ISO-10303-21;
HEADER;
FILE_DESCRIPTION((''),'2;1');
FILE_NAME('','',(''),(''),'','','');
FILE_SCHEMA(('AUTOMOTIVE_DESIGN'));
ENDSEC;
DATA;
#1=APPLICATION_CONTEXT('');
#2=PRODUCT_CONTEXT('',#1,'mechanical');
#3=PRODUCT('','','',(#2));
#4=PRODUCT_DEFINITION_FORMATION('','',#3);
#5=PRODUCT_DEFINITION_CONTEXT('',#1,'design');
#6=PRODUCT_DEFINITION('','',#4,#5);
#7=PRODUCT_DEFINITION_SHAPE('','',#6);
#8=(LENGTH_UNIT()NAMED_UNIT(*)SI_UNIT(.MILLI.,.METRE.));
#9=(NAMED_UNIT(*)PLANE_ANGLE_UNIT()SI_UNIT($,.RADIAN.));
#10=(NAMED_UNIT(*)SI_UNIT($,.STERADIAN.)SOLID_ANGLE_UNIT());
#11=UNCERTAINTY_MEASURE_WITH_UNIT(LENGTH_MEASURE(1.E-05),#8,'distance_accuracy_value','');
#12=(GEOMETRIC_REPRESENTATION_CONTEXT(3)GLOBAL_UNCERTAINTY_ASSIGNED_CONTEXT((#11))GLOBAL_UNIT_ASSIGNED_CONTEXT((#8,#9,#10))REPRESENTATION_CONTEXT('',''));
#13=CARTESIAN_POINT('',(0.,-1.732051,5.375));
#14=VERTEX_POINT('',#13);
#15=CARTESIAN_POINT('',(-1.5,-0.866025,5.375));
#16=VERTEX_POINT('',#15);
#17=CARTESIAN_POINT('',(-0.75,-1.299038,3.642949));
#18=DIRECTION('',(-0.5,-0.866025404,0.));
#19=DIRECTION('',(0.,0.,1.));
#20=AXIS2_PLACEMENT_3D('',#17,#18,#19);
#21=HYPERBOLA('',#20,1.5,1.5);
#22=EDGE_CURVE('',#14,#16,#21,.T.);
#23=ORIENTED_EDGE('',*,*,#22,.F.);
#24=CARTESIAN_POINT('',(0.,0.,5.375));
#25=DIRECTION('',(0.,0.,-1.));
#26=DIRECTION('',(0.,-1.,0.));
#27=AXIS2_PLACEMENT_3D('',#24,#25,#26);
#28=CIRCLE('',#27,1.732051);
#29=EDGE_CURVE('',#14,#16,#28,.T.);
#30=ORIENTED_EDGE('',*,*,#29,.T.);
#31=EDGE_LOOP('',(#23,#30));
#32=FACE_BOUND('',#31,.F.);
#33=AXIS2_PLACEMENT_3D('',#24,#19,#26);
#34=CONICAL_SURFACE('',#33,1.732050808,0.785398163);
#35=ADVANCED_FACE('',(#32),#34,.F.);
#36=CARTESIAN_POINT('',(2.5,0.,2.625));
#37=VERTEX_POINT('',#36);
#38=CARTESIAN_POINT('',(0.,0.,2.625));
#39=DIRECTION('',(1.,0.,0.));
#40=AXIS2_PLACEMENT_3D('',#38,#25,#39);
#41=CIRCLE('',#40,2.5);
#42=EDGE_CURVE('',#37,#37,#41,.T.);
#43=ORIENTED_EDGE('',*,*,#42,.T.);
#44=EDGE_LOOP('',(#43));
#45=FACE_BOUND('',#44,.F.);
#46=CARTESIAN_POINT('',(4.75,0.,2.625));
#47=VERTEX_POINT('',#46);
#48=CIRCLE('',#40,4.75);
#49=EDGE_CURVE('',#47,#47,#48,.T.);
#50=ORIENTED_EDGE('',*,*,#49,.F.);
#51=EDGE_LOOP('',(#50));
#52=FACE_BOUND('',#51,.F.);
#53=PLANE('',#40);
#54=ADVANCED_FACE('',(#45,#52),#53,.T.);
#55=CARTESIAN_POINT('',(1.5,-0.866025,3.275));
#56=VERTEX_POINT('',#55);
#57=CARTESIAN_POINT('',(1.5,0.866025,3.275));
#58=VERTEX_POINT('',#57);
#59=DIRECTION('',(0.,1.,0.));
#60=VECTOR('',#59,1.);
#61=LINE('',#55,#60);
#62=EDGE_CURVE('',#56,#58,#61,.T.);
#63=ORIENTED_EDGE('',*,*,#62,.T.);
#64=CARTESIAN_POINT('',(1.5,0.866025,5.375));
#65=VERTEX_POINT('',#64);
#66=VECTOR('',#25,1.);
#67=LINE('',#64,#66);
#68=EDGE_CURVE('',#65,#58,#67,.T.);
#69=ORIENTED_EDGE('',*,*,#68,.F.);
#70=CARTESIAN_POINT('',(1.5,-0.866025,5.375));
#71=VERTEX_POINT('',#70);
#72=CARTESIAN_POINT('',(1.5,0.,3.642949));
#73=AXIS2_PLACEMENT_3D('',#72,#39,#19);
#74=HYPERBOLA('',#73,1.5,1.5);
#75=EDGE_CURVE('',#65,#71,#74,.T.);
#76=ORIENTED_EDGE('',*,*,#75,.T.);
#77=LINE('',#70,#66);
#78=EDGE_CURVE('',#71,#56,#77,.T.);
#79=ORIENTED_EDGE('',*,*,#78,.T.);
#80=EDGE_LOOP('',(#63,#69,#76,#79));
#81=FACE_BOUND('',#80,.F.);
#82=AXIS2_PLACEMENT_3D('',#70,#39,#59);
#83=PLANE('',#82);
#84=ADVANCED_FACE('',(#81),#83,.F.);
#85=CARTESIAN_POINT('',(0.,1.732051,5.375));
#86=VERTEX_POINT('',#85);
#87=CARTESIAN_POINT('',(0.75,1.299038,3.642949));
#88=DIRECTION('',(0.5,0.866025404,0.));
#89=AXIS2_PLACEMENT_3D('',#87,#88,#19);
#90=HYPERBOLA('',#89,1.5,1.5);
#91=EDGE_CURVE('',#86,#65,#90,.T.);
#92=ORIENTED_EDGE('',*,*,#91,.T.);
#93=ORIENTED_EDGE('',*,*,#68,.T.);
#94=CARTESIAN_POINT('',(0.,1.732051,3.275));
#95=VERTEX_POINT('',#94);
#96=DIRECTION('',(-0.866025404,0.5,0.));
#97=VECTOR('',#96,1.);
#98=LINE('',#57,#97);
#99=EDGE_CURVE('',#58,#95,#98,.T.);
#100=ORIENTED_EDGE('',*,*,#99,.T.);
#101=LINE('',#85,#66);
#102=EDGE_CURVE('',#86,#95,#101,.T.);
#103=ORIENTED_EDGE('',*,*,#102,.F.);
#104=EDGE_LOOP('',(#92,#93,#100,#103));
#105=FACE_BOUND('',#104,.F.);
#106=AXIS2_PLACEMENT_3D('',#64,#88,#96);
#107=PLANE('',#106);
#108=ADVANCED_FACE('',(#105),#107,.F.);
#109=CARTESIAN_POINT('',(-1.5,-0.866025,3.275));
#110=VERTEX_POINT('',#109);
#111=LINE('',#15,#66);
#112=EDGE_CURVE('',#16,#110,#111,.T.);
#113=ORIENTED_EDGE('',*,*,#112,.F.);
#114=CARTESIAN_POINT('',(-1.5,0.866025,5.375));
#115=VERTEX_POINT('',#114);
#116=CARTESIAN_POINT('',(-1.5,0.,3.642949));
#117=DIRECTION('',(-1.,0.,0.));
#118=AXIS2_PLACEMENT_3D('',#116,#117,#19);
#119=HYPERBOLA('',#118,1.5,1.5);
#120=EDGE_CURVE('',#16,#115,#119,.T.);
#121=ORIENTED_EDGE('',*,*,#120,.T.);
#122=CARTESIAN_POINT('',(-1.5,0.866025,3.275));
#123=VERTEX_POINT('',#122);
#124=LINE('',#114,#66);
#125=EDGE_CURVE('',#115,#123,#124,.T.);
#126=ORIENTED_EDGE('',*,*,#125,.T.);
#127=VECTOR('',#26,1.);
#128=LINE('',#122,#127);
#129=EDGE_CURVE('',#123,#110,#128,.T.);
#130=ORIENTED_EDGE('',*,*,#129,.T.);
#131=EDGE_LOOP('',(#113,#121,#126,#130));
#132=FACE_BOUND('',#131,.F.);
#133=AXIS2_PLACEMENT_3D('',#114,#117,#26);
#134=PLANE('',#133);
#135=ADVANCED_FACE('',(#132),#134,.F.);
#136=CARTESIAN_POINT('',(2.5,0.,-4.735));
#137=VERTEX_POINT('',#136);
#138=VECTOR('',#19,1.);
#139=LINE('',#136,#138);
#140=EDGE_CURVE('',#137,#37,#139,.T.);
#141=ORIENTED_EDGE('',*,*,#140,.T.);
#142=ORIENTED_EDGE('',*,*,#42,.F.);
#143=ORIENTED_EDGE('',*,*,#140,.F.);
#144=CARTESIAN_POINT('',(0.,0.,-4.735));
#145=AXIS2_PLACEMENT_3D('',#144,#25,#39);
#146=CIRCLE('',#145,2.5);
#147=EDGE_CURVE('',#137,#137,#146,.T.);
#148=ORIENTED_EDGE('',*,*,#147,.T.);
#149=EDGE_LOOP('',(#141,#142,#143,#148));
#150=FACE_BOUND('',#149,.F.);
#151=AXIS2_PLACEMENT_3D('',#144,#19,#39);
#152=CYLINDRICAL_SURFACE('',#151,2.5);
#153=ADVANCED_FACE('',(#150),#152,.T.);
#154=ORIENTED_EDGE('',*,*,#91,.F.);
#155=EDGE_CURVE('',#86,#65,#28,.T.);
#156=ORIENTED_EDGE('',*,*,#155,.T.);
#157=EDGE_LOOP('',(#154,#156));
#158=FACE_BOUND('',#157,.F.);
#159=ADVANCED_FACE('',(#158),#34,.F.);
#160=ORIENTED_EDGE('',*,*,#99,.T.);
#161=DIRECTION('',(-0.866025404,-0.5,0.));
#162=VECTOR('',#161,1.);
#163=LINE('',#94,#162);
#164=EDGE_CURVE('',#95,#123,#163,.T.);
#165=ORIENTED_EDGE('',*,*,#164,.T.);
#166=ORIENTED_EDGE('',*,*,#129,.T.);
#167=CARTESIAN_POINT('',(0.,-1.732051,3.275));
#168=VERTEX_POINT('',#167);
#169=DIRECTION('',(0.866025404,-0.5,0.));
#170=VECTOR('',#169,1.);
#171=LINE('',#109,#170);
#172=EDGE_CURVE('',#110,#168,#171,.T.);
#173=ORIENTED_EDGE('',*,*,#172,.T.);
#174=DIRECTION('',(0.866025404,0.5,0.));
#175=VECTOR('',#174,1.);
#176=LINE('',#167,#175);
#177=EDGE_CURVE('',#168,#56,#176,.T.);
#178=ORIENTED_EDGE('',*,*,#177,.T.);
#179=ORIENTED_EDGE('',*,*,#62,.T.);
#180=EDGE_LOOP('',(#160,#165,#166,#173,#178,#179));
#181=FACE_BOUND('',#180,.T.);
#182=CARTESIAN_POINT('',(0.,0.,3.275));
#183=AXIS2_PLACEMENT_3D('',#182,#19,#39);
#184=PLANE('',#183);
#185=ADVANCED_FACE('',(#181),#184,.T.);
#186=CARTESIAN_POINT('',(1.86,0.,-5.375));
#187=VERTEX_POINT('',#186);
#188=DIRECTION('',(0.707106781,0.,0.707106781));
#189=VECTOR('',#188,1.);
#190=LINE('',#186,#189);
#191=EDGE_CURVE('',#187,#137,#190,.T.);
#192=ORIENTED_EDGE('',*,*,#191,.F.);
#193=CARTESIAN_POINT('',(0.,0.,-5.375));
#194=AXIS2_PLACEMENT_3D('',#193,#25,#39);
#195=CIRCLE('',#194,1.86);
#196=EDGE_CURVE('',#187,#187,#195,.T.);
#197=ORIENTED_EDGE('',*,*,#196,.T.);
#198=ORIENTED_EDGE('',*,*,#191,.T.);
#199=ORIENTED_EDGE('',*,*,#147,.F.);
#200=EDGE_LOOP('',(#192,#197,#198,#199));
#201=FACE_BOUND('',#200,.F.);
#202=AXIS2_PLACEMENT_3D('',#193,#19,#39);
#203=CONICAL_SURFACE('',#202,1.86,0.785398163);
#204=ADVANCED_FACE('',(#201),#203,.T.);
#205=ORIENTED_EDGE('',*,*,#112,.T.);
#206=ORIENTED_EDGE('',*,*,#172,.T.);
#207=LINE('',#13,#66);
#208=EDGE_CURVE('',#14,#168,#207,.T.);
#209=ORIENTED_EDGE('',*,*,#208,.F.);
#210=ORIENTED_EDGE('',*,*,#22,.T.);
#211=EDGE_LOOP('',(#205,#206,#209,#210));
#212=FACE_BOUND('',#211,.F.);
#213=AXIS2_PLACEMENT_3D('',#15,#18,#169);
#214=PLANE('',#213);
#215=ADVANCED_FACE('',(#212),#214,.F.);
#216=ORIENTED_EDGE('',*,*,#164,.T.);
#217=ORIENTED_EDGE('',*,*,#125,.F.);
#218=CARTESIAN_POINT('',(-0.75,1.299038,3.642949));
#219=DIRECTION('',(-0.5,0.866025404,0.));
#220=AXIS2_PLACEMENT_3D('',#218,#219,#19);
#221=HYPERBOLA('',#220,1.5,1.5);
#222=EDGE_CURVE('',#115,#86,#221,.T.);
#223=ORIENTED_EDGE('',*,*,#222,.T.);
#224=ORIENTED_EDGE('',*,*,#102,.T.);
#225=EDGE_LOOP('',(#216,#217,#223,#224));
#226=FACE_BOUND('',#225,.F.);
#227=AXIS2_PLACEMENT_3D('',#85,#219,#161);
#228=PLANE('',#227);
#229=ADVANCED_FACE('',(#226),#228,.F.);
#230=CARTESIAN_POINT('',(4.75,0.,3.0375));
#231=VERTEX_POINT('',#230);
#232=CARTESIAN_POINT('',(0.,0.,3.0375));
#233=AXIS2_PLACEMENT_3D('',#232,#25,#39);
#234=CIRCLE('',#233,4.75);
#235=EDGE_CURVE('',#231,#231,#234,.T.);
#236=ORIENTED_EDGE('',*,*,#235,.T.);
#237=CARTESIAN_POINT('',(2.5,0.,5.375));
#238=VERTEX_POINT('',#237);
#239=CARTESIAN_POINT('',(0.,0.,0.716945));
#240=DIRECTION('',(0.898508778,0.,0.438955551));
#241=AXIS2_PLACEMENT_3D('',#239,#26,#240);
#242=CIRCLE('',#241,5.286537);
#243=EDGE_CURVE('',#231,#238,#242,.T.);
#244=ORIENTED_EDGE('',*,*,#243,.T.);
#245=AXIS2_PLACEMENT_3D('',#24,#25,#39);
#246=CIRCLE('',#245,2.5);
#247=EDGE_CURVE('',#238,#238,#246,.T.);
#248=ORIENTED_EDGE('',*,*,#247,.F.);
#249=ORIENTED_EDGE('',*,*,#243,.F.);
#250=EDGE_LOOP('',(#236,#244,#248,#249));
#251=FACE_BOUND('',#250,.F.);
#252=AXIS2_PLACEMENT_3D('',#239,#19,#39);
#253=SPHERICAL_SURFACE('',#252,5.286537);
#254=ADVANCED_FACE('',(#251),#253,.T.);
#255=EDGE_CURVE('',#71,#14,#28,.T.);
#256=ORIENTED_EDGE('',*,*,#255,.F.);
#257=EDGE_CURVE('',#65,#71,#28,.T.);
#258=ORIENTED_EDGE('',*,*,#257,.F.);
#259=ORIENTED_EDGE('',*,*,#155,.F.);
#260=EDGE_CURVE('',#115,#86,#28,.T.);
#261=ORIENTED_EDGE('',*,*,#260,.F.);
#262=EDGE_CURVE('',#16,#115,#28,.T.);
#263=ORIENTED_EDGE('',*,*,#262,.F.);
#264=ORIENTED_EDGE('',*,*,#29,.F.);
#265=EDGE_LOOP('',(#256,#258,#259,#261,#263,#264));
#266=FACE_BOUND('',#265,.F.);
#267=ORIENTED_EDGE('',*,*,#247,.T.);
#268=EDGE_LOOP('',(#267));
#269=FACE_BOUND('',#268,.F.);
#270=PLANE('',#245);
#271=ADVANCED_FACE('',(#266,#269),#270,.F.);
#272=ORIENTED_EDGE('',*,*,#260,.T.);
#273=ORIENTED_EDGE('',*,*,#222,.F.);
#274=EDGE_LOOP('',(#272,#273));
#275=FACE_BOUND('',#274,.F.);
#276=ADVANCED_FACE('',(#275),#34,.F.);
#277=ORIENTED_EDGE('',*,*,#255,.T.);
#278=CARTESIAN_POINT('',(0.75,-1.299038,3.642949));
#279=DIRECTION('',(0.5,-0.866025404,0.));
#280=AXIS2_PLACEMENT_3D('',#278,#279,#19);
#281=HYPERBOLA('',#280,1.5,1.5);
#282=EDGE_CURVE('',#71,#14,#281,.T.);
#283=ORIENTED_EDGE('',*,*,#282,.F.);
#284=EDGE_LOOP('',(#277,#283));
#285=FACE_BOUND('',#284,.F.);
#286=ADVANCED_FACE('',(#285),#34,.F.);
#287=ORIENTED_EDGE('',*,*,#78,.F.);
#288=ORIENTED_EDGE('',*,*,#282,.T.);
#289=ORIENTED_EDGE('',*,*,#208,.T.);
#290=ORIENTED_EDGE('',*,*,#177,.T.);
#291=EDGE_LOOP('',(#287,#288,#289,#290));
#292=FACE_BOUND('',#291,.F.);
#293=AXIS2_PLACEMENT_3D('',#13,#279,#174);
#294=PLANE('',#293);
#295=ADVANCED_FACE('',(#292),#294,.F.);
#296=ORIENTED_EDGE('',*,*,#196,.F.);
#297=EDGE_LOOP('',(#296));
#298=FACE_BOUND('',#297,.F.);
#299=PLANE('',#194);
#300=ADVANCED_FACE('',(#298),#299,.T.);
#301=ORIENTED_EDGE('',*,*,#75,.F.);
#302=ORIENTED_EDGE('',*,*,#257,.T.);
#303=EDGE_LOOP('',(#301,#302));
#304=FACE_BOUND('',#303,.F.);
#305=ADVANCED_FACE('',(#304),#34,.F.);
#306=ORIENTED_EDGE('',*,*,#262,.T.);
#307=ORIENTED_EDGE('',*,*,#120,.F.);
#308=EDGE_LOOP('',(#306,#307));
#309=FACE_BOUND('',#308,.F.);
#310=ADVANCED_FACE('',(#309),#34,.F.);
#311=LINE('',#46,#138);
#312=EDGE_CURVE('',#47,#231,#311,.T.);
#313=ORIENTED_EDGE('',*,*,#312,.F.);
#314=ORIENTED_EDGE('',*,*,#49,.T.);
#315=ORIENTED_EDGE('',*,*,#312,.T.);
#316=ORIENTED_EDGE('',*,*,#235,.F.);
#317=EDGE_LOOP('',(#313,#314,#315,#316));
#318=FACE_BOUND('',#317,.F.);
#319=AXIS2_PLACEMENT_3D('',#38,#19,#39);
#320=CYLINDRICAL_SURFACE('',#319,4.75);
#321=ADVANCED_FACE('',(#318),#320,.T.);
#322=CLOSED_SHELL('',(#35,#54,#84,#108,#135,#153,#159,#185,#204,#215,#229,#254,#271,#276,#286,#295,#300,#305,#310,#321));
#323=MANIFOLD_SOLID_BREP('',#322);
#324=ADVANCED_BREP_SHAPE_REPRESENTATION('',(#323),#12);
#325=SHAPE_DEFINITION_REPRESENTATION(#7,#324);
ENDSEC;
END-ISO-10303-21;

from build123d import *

# Parameters (mm, degrees)
CUT_EXTRUDE1_DEPTH = 2.1


with BuildPart() as part:
    # Sketch2 → Revolve1 (revolve)
    with BuildSketch(Plane(origin=(0, 0, 0), x_dir=(0, 0, -1), z_dir=(1, 0, 0)), mode=Mode.PRIVATE) as revolve1_sk:
        with BuildLine():
            Line((-5.375, 0), (5.375, 0))
            Line((5.375, 0), (5.375, 1.86))
            Line((5.375, 1.86), (4.735, 2.5))
            Line((4.735, 2.5), (-2.625, 2.5))
            Line((-2.625, 2.5), (-2.625, 4.75))
            Line((-2.625, 4.75), (-3.0375, 4.75))
            ThreePointArc((-3.0375, 4.75), (-4.383124817, 3.808753282), (-5.375, 2.5))
            Line((-5.375, 2.5), (-5.375, 0))
        make_face()
    revolve(revolve1_sk.sketch.rotate(Axis((0, 0, 5.375), (0, 0, -1)), 90), axis=Axis((0, 0, 5.375), (0, 0, -1)))

    # Sketch3 → Cut-Extrude1 (cut)
    with BuildSketch(Plane.XY.offset(5.375)):
        Polygon((0, 1.732050808), (-1.5, 0.866025404), (-1.5, -0.866025404), (0, -1.732050808), (1.5, -0.866025404), (1.5, 0.866025404), align=None)
    extrude(amount=-CUT_EXTRUDE1_DEPTH, mode=Mode.SUBTRACT)

    # Cut-Extrude2 cone 1 section (through the dimple's axis) → Cut-Extrude2 (revolve, cut)
    with BuildSketch(Plane(origin=(0, 0, 5.375), x_dir=(0, -1, 0), z_dir=(1, 0, 0))):
        Polygon((0, 0), (1.732050808, 0), (0, 1.732050808), align=None)
    revolve(axis=Axis((0, 0, 5.375), (0, 0, -1)), mode=Mode.SUBTRACT)


solid = part.part
